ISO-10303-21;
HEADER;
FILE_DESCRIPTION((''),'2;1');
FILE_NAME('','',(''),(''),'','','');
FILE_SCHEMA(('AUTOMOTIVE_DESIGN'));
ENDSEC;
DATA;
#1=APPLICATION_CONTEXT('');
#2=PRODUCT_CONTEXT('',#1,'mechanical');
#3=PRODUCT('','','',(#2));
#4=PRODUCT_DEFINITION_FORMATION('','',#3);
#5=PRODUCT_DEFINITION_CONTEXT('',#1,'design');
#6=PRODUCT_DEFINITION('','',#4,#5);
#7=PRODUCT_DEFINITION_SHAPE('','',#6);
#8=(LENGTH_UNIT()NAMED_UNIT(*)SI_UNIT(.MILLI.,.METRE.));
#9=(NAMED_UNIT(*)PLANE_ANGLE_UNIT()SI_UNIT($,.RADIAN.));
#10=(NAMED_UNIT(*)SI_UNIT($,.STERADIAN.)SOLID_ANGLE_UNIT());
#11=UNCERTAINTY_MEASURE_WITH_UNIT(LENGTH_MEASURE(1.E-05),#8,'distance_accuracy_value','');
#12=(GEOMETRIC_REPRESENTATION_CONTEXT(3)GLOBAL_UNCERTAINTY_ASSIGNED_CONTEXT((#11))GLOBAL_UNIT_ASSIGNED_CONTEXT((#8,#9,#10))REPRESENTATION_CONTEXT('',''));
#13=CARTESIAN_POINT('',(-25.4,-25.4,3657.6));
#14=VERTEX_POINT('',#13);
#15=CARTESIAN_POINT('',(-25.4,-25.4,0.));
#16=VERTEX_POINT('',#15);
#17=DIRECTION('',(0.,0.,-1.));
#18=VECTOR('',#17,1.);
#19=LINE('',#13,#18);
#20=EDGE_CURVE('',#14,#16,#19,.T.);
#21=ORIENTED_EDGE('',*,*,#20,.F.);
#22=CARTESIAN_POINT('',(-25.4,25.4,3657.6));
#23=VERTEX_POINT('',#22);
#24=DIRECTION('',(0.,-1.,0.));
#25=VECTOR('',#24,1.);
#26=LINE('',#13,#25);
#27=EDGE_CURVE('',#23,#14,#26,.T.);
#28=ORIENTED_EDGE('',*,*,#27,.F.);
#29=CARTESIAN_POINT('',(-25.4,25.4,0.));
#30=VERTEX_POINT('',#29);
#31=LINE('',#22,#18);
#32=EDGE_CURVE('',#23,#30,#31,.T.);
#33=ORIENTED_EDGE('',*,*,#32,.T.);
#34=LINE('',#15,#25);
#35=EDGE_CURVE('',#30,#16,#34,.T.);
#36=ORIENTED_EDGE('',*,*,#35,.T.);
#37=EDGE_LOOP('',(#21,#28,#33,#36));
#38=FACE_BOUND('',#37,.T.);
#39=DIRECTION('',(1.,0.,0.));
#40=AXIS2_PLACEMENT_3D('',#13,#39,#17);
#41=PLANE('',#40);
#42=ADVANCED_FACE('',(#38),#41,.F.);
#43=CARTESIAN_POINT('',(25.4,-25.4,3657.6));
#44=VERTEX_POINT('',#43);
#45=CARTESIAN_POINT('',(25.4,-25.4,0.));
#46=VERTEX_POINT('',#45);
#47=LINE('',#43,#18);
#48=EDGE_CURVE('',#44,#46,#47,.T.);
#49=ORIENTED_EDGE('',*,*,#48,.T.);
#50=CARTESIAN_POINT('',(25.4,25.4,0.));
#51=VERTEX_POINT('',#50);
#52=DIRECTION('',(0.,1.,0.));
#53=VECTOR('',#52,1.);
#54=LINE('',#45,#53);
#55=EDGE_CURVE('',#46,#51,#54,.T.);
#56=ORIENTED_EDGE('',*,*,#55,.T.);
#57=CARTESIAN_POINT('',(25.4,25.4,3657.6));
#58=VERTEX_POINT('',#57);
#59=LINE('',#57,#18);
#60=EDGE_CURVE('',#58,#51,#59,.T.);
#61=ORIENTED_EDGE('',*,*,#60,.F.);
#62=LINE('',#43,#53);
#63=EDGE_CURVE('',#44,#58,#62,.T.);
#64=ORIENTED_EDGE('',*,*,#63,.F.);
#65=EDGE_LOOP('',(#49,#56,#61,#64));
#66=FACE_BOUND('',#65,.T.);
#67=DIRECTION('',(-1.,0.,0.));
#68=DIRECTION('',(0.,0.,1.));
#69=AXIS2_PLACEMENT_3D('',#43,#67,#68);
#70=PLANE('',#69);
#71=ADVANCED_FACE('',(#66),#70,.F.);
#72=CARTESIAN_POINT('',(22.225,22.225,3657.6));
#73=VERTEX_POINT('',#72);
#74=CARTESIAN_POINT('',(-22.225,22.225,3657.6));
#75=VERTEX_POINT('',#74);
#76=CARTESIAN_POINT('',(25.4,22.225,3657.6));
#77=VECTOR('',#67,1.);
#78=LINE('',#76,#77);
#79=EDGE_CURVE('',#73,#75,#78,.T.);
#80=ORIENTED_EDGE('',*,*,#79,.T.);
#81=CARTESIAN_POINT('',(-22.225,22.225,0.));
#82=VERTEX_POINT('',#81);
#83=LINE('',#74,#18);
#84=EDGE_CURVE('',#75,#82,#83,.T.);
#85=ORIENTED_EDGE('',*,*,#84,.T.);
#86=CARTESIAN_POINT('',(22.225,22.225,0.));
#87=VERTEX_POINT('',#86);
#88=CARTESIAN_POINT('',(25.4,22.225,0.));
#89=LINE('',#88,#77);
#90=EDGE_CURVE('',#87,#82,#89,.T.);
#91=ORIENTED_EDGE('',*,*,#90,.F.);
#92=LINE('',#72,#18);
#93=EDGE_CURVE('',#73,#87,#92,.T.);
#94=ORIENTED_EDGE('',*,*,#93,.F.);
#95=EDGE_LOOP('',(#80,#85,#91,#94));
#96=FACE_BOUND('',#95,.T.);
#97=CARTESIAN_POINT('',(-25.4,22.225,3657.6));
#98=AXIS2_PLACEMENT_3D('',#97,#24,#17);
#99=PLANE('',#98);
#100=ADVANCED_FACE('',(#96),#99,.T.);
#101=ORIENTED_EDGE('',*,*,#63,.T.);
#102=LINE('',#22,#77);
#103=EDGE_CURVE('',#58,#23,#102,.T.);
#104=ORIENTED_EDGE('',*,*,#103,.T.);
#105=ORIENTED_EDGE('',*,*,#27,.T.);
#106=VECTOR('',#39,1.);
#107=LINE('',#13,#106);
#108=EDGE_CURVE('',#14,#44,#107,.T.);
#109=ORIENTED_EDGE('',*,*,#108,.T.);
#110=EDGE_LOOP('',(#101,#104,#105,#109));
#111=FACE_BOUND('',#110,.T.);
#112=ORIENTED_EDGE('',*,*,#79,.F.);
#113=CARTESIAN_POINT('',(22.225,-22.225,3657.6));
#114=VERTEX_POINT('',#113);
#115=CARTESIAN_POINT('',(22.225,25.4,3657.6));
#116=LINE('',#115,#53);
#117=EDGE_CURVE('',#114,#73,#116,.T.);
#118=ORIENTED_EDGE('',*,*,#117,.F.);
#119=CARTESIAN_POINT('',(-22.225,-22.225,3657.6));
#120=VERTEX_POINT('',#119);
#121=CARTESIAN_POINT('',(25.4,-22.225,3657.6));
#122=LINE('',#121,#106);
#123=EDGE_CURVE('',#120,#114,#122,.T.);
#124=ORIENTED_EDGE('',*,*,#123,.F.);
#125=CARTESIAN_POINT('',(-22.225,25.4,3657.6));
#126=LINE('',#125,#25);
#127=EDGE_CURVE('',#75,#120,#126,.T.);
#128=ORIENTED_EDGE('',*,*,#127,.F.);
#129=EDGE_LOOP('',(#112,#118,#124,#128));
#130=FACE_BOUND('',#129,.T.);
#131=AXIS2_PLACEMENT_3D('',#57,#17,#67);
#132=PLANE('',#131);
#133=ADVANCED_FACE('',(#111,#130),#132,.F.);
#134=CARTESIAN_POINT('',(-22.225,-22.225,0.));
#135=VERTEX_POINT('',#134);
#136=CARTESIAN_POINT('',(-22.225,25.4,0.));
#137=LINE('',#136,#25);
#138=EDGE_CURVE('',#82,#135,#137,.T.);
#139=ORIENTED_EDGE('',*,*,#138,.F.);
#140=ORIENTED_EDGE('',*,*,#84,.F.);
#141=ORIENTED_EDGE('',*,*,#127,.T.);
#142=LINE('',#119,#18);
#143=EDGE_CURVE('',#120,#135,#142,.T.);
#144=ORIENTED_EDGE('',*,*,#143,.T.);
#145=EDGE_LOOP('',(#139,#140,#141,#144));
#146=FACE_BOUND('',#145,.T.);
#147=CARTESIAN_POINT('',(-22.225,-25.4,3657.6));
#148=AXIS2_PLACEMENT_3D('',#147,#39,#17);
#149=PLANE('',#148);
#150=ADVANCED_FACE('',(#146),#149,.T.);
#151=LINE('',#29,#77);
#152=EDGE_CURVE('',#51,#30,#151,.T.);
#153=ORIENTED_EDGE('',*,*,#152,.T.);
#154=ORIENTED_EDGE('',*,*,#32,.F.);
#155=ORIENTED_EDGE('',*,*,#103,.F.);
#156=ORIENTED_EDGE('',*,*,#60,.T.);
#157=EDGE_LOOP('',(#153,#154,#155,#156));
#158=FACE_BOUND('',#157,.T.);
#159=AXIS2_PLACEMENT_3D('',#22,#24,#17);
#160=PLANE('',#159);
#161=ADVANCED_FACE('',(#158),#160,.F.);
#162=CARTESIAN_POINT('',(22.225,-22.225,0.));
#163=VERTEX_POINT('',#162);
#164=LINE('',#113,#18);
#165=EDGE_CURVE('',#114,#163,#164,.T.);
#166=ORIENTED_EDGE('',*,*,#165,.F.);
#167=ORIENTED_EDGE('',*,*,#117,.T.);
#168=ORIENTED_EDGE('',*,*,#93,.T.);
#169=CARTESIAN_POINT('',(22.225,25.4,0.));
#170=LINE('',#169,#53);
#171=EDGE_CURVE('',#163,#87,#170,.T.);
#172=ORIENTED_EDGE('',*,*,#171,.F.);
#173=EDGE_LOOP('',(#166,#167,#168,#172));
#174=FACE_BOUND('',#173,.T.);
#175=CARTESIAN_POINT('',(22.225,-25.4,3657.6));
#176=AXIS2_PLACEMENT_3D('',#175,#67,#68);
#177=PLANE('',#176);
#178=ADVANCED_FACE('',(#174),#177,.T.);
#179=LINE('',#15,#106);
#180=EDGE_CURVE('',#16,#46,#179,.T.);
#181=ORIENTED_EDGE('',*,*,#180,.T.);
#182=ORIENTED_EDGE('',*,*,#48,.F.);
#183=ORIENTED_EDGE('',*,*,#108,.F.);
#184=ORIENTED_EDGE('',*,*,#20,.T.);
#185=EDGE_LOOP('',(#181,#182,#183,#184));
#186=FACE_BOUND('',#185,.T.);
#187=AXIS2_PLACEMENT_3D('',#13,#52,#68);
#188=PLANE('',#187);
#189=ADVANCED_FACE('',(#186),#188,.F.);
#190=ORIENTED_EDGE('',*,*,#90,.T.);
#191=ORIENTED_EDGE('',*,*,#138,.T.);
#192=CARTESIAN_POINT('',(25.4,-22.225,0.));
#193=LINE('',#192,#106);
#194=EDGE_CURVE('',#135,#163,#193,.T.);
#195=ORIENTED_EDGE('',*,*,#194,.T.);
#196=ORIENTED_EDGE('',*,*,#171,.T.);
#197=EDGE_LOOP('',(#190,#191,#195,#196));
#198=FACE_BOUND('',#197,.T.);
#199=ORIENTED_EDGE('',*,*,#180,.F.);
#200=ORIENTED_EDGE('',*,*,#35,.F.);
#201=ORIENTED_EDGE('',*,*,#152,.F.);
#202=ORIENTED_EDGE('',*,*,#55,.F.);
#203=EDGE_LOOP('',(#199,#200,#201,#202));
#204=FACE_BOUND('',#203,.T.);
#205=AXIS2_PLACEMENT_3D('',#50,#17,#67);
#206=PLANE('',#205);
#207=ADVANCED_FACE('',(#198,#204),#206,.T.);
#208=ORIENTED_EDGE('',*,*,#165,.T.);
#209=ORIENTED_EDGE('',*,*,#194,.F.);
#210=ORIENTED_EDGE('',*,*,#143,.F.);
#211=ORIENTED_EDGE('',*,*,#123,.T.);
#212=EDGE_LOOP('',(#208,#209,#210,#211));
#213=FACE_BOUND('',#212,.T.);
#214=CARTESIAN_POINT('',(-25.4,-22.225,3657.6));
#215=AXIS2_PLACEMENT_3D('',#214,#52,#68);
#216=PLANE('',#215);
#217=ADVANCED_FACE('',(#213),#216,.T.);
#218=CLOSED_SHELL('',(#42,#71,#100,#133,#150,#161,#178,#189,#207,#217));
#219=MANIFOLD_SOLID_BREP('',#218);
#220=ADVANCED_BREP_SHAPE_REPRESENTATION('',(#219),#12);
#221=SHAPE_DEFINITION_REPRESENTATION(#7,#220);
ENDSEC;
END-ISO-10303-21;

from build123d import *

# Parameters (mm, degrees)
SKETCH1_W           = 50.8
SKETCH1_H           = 50.8
BOSS_EXTRUDE1_DEPTH = 3657.6
SHELL1_T            = -3.175


with BuildPart() as part:
    # Sketch1 → Boss-Extrude1 (new body)
    with BuildSketch(Plane.XY):
        Rectangle(SKETCH1_W, SKETCH1_H)
    extrude(amount=BOSS_EXTRUDE1_DEPTH)

    # Shell1
    shell1_openings = [part.faces().sort_by_distance(p)[0] for p in [
        (0, 0, 3657.6),
        (0, 0, 0),
    ]]
    offset(amount=SHELL1_T, openings=shell1_openings, kind=Kind.INTERSECTION)


solid = part.part
